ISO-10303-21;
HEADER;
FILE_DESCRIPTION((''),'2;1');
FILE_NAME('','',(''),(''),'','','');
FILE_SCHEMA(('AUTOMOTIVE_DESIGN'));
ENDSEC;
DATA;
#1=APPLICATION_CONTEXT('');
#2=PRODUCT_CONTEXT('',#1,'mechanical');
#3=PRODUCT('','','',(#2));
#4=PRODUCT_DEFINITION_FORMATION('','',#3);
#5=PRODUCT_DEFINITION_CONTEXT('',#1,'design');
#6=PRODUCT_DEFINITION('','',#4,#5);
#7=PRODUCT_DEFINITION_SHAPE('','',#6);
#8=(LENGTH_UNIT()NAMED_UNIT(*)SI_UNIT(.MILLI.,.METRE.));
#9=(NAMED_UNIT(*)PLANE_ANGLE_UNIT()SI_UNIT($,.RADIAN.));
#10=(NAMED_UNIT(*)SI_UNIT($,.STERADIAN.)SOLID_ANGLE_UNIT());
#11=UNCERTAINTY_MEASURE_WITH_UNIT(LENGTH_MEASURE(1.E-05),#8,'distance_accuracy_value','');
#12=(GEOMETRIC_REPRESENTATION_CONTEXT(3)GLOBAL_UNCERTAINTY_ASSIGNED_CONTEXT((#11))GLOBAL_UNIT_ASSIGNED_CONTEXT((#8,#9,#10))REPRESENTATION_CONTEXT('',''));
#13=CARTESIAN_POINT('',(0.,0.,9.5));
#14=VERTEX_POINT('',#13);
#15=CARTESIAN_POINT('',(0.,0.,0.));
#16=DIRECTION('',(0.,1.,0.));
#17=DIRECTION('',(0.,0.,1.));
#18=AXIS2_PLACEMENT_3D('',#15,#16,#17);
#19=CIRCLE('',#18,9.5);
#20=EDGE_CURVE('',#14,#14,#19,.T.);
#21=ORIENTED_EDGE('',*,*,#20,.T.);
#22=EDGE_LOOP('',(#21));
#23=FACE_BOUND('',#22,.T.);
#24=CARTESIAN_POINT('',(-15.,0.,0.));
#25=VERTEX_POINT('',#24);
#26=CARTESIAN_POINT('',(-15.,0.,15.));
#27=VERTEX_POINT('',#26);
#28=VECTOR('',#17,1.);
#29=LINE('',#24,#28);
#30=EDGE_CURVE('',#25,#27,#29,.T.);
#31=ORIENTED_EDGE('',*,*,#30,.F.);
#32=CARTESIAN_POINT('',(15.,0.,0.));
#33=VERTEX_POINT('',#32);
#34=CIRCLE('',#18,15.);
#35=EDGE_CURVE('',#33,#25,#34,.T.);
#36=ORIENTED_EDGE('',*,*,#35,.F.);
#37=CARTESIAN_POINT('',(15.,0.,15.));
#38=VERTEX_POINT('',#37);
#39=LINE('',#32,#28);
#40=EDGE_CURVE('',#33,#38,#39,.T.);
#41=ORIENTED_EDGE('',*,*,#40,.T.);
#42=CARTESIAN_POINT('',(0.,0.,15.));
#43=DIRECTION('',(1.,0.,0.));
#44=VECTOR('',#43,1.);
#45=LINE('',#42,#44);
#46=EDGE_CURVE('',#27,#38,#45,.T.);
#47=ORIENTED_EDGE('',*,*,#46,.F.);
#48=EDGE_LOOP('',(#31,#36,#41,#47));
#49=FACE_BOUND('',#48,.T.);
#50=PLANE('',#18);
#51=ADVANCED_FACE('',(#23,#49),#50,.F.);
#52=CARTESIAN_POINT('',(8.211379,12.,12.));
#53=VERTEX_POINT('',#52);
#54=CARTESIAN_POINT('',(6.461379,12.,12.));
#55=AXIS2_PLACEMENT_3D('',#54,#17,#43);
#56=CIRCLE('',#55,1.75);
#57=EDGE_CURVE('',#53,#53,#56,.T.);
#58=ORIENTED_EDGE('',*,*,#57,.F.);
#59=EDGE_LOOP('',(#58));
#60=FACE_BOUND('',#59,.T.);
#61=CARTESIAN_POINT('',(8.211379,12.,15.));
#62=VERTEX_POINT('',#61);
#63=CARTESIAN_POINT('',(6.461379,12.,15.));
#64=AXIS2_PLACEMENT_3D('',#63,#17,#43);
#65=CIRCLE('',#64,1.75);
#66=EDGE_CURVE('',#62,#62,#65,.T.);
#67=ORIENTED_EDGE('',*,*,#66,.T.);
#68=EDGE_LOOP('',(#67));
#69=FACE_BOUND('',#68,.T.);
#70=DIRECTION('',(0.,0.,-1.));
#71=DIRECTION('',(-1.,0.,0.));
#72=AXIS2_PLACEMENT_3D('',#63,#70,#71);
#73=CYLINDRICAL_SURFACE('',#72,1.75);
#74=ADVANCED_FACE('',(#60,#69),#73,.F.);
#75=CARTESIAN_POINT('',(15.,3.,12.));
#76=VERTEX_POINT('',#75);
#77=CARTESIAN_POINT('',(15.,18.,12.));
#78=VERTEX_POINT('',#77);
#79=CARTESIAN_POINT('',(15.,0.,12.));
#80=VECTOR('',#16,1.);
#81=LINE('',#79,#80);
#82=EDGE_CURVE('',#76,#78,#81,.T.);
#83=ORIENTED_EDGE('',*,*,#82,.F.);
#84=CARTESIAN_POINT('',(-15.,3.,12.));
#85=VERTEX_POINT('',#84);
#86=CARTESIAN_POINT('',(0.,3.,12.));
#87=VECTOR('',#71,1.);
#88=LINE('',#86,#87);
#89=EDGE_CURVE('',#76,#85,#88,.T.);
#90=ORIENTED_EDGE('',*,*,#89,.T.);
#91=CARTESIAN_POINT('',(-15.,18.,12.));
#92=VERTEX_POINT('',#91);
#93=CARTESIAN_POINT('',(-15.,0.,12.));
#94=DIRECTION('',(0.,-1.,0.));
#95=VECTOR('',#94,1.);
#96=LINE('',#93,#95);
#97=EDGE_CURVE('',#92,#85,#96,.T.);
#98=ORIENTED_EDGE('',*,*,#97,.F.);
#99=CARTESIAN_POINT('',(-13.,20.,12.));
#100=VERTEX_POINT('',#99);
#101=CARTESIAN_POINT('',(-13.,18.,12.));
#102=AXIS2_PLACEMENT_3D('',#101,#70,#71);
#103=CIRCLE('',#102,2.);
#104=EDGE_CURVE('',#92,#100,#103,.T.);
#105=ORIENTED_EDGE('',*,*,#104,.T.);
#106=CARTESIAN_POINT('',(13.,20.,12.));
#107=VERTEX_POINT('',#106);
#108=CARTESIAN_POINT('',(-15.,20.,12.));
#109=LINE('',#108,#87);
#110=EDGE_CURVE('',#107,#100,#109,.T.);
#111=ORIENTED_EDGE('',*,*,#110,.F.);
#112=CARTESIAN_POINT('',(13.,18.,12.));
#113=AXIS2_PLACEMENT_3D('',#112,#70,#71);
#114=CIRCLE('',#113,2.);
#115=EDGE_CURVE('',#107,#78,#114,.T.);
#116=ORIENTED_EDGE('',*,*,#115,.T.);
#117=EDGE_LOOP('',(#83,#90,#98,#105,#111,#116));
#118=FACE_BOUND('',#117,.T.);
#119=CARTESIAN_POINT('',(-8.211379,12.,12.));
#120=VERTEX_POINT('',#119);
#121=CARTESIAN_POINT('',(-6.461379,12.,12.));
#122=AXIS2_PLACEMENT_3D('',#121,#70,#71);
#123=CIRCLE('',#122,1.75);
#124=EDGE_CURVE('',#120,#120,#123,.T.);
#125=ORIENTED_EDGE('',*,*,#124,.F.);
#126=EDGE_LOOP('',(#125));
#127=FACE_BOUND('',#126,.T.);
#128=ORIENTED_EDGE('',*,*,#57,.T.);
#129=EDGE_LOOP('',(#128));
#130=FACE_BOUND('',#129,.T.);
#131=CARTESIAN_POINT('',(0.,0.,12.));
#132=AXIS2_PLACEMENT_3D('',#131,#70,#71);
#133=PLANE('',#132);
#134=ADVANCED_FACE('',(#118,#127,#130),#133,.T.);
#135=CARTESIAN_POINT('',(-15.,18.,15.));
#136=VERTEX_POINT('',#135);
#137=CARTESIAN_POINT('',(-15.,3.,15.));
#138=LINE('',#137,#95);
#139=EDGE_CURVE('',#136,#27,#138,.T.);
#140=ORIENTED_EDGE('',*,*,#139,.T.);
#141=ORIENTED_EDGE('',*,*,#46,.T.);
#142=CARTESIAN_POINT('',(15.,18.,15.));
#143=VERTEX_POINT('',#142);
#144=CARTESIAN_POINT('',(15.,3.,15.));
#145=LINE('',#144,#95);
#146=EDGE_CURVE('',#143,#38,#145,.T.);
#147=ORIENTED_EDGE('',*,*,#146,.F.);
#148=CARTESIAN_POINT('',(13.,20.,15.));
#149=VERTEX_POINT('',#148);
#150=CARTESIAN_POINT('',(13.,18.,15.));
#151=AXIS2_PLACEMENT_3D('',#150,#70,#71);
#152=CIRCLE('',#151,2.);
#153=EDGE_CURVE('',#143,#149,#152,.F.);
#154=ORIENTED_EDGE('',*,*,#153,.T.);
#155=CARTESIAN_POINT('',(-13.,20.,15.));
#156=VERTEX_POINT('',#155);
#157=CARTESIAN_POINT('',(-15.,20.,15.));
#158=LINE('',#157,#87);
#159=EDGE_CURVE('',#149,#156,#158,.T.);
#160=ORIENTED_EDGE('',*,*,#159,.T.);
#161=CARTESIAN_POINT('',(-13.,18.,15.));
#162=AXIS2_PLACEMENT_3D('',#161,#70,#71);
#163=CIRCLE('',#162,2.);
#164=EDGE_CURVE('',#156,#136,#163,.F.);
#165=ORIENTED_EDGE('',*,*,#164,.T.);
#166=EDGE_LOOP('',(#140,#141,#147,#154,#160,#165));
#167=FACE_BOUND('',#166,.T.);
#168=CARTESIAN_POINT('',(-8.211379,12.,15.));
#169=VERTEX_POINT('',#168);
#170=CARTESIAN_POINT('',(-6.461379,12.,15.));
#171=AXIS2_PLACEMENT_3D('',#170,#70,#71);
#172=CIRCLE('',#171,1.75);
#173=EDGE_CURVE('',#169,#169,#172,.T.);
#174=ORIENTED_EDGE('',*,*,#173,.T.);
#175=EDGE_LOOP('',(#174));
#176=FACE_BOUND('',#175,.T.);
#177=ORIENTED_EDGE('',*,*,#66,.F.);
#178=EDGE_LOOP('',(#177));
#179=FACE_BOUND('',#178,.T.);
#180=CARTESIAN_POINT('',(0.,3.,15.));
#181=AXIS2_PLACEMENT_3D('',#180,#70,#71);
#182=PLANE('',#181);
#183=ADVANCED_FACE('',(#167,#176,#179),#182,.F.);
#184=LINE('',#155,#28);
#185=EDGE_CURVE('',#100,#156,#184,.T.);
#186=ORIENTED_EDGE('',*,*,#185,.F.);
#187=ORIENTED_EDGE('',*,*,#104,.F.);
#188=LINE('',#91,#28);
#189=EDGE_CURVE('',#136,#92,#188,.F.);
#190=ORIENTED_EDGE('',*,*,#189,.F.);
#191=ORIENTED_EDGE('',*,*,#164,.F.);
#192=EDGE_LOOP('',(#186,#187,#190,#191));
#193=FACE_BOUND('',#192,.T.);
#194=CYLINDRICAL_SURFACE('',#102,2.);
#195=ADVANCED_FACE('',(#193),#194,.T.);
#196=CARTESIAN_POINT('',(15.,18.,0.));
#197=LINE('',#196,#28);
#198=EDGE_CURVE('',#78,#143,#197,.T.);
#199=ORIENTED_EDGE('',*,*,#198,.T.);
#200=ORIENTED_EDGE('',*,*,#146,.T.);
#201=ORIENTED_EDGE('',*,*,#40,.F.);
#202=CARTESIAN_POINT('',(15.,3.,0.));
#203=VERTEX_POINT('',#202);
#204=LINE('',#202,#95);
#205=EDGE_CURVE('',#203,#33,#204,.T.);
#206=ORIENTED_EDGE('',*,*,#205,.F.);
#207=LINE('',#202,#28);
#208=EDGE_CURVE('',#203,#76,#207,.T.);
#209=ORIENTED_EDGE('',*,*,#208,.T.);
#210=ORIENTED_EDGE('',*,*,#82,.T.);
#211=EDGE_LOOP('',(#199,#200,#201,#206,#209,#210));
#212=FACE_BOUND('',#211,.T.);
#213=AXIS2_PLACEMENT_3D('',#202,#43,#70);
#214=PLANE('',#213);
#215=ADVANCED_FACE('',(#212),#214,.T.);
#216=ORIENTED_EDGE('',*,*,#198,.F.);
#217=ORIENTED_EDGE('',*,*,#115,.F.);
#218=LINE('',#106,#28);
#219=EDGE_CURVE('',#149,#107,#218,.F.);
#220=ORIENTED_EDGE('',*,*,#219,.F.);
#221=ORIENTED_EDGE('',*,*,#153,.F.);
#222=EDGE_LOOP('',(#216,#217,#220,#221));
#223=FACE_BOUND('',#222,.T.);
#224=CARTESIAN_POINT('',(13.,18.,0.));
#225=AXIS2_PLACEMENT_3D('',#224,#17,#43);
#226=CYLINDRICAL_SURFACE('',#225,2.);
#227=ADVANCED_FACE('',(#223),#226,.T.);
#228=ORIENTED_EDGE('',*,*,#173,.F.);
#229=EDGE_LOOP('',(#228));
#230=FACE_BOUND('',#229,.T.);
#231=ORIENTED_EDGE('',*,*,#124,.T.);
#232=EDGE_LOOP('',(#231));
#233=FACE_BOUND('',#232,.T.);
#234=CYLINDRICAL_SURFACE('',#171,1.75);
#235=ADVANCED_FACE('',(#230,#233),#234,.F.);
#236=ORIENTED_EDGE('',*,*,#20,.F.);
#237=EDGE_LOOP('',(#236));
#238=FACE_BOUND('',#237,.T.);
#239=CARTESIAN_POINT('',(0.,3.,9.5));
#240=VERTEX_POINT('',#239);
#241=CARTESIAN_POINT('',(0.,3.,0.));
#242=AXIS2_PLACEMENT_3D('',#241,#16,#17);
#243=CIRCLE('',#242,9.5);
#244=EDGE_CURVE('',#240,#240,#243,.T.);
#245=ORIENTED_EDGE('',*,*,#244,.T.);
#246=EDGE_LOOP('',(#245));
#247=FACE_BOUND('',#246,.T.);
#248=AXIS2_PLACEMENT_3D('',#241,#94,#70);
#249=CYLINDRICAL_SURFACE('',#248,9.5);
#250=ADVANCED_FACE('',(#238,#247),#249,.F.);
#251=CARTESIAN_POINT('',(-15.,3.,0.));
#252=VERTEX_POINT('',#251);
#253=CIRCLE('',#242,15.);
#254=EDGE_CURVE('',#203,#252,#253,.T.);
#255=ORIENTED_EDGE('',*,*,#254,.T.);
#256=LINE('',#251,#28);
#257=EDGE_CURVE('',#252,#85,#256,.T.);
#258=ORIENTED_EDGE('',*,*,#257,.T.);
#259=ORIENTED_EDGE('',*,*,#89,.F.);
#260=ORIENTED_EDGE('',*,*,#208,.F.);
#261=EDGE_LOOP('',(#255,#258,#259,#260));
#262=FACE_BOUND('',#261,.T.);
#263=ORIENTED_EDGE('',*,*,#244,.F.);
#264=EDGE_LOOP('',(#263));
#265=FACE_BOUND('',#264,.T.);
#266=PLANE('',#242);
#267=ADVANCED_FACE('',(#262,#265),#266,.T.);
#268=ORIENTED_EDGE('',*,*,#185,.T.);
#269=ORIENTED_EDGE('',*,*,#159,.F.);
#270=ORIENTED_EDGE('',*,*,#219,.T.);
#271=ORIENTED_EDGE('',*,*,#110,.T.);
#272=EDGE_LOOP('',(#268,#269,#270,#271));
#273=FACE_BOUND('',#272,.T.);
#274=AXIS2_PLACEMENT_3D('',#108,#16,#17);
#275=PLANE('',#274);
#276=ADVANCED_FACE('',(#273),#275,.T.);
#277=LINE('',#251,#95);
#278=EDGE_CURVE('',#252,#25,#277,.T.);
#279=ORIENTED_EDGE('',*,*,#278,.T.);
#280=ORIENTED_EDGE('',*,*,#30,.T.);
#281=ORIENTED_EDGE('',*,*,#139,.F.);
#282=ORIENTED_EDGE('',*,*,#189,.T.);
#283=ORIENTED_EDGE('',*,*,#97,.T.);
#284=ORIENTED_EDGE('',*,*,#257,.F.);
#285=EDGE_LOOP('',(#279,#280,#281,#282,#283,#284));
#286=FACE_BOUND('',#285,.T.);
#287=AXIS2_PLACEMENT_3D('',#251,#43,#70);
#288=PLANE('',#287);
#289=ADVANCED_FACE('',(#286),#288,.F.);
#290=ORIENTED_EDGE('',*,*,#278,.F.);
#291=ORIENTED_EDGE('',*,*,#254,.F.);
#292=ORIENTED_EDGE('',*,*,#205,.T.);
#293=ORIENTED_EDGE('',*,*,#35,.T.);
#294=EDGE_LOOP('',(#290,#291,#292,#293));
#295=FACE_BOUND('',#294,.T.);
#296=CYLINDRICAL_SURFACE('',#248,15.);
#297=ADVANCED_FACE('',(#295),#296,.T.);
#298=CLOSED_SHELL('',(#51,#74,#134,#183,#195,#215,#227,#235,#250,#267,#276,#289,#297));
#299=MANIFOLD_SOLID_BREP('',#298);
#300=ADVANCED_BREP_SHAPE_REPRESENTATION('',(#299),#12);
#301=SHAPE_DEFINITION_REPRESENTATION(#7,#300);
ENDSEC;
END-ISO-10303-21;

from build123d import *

# Parameters (mm, degrees)
SKETCH_1_R          = 9.5
EXTRUDE_2_DEPTH     = 3
SKETCH_9_W          = 30
SKETCH_9_H          = 20
EXTRUDE_3_DEPTH     = 3
SKETCH_10_R         = 1.75
CUT_EXTRUDE_1_DEPTH = 37.796738986
FILLET_6_R          = 2


with BuildPart() as part:
    # 草图1 → 凸台-拉伸2 (new body)
    with BuildSketch(Plane(origin=(0, 0, 0), x_dir=(1, 0, 0), z_dir=(0, 1, 0))):
        with BuildLine():
            Line((15, -15), (15, 0))
            ThreePointArc((15, 0), (0, 15), (-15, 0))
            Line((-15, 0), (-15, -15))
            Line((-15, -15), (15, -15))
        make_face()
        with Locations(Location((0, 0, 0), (0, 0, 270))):
            Circle(SKETCH_1_R, mode=Mode.SUBTRACT)
    extrude(amount=EXTRUDE_2_DEPTH)

    # 草图9 → 凸台-拉伸3 (add)
    with BuildSketch(Plane.XY.offset(15)):
        with Locations((0, 10)):
            Rectangle(SKETCH_9_W, SKETCH_9_H)
    extrude(amount=-EXTRUDE_3_DEPTH)

    # 草图10 → 切除-拉伸1 (cut, through all)
    with BuildSketch(Plane(origin=(0, 0, 12), x_dir=(-1, 0, 0), z_dir=(0, 0, -1))):
        with Locations((6.461379144, 12)):
            Circle(SKETCH_10_R)
        with Locations(Location((-6.461379144, 12, 0), (0, 0, 180))):
            Circle(SKETCH_10_R)
    extrude(amount=-CUT_EXTRUDE_1_DEPTH, mode=Mode.SUBTRACT)

    # 圆角6
    fillet_6_edges = [part.edges().sort_by_distance(p)[0] for p in [
        (-15, 20, 13.5),
        (15, 20, 13.5),
    ]]
    fillet(fillet_6_edges, radius=FILLET_6_R)


solid = part.part
